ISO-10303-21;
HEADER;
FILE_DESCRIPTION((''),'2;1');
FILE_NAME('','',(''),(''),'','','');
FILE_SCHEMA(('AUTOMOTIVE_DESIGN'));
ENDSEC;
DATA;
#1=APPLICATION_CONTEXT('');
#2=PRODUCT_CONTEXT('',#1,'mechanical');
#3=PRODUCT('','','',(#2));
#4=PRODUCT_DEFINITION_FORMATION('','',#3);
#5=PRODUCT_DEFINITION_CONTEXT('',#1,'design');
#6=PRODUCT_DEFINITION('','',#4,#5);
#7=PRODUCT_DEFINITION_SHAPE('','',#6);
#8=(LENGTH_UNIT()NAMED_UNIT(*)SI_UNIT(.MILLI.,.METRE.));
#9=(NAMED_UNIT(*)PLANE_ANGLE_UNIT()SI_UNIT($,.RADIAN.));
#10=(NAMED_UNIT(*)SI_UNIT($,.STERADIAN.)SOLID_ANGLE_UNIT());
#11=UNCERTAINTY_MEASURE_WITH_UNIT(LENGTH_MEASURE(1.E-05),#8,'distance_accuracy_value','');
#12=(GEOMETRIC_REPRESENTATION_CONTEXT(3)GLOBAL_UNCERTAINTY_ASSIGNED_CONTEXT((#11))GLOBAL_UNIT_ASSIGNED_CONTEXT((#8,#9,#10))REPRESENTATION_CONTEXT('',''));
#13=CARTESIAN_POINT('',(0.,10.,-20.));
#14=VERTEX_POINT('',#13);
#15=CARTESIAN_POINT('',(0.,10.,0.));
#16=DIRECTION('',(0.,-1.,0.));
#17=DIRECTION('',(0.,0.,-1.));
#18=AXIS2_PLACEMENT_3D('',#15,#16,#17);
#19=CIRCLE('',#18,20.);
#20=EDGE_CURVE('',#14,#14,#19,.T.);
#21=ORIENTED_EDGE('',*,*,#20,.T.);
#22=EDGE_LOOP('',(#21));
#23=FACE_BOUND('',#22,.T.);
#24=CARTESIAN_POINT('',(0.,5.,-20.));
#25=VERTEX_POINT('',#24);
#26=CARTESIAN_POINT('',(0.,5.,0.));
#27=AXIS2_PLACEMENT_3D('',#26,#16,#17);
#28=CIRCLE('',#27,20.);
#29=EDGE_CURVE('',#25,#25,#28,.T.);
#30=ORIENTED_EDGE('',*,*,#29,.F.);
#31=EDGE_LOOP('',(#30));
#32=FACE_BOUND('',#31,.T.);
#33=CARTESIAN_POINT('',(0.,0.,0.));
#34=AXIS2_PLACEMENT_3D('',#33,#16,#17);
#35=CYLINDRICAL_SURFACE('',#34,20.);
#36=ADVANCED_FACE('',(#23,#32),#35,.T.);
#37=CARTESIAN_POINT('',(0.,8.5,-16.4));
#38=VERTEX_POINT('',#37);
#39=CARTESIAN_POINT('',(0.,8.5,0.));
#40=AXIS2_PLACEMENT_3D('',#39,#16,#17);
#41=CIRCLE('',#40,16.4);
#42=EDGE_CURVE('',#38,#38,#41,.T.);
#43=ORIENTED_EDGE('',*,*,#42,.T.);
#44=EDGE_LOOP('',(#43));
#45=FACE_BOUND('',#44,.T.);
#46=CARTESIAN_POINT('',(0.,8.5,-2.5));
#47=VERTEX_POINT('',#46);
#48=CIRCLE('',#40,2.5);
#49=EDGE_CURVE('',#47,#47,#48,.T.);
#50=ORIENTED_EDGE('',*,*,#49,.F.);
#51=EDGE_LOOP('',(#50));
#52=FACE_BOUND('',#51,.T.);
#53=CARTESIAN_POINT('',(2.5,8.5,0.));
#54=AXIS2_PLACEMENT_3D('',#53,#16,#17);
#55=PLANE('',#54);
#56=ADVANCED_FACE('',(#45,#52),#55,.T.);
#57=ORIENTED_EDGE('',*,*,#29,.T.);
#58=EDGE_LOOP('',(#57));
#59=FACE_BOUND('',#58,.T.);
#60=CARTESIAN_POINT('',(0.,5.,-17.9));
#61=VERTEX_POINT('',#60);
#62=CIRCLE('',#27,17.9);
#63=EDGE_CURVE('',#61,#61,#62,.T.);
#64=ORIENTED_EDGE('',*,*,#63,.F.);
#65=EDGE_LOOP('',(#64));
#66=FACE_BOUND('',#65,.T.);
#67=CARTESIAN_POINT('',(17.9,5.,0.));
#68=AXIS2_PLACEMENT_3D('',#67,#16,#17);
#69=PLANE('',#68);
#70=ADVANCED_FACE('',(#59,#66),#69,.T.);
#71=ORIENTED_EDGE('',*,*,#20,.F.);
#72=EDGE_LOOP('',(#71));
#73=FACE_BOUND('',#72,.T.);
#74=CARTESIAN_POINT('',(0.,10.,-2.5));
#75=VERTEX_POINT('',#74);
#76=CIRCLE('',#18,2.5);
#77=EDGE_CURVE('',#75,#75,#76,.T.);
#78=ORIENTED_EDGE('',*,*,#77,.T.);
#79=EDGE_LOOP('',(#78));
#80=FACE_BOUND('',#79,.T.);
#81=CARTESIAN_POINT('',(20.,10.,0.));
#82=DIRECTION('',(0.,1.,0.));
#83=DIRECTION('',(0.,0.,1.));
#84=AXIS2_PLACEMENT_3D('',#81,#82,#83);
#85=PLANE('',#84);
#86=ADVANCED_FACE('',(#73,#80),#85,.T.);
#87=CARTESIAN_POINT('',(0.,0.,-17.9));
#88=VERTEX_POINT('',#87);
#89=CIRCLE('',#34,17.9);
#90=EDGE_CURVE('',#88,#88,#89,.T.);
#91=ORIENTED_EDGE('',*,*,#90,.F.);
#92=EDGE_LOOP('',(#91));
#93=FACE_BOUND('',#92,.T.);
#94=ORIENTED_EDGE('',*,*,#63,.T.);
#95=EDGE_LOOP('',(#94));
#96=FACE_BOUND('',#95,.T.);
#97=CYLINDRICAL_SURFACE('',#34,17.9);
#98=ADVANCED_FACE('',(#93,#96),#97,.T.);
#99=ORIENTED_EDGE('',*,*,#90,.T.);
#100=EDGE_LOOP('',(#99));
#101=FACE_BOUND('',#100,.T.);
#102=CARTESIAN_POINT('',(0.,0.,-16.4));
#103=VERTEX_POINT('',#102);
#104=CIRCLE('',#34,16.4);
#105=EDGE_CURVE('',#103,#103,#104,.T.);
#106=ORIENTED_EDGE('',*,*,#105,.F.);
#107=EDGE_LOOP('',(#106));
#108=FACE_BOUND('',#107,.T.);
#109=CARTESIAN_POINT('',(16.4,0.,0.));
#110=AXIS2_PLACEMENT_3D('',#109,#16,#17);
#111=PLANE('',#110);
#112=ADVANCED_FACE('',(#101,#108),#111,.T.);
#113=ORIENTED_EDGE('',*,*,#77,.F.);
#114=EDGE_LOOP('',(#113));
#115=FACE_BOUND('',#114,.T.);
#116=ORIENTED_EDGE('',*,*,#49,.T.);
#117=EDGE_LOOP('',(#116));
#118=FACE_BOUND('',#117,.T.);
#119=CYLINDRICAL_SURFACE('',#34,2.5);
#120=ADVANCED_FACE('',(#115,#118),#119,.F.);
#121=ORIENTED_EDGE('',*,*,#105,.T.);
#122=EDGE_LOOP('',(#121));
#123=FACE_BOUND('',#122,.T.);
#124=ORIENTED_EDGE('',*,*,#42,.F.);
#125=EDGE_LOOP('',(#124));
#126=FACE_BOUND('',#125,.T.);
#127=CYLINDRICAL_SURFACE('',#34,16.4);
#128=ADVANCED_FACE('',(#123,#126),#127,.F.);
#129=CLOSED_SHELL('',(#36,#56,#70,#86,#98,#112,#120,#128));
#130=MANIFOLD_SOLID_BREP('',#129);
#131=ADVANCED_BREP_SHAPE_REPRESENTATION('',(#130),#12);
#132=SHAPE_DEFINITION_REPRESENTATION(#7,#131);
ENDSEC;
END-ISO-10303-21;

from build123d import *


with BuildPart() as part:
    # Sketch1 → Revolve1 (revolve)
    with BuildSketch(Plane.XY):
        Polygon((17.9, 0), (17.9, 5), (20, 5), (20, 10), (2.5, 10), (2.5, 8.5), (16.4, 8.5), (16.4, 0), align=None)
    revolve(axis=Axis((0, 0, 0), (0, 1, 0)))


solid = part.part
